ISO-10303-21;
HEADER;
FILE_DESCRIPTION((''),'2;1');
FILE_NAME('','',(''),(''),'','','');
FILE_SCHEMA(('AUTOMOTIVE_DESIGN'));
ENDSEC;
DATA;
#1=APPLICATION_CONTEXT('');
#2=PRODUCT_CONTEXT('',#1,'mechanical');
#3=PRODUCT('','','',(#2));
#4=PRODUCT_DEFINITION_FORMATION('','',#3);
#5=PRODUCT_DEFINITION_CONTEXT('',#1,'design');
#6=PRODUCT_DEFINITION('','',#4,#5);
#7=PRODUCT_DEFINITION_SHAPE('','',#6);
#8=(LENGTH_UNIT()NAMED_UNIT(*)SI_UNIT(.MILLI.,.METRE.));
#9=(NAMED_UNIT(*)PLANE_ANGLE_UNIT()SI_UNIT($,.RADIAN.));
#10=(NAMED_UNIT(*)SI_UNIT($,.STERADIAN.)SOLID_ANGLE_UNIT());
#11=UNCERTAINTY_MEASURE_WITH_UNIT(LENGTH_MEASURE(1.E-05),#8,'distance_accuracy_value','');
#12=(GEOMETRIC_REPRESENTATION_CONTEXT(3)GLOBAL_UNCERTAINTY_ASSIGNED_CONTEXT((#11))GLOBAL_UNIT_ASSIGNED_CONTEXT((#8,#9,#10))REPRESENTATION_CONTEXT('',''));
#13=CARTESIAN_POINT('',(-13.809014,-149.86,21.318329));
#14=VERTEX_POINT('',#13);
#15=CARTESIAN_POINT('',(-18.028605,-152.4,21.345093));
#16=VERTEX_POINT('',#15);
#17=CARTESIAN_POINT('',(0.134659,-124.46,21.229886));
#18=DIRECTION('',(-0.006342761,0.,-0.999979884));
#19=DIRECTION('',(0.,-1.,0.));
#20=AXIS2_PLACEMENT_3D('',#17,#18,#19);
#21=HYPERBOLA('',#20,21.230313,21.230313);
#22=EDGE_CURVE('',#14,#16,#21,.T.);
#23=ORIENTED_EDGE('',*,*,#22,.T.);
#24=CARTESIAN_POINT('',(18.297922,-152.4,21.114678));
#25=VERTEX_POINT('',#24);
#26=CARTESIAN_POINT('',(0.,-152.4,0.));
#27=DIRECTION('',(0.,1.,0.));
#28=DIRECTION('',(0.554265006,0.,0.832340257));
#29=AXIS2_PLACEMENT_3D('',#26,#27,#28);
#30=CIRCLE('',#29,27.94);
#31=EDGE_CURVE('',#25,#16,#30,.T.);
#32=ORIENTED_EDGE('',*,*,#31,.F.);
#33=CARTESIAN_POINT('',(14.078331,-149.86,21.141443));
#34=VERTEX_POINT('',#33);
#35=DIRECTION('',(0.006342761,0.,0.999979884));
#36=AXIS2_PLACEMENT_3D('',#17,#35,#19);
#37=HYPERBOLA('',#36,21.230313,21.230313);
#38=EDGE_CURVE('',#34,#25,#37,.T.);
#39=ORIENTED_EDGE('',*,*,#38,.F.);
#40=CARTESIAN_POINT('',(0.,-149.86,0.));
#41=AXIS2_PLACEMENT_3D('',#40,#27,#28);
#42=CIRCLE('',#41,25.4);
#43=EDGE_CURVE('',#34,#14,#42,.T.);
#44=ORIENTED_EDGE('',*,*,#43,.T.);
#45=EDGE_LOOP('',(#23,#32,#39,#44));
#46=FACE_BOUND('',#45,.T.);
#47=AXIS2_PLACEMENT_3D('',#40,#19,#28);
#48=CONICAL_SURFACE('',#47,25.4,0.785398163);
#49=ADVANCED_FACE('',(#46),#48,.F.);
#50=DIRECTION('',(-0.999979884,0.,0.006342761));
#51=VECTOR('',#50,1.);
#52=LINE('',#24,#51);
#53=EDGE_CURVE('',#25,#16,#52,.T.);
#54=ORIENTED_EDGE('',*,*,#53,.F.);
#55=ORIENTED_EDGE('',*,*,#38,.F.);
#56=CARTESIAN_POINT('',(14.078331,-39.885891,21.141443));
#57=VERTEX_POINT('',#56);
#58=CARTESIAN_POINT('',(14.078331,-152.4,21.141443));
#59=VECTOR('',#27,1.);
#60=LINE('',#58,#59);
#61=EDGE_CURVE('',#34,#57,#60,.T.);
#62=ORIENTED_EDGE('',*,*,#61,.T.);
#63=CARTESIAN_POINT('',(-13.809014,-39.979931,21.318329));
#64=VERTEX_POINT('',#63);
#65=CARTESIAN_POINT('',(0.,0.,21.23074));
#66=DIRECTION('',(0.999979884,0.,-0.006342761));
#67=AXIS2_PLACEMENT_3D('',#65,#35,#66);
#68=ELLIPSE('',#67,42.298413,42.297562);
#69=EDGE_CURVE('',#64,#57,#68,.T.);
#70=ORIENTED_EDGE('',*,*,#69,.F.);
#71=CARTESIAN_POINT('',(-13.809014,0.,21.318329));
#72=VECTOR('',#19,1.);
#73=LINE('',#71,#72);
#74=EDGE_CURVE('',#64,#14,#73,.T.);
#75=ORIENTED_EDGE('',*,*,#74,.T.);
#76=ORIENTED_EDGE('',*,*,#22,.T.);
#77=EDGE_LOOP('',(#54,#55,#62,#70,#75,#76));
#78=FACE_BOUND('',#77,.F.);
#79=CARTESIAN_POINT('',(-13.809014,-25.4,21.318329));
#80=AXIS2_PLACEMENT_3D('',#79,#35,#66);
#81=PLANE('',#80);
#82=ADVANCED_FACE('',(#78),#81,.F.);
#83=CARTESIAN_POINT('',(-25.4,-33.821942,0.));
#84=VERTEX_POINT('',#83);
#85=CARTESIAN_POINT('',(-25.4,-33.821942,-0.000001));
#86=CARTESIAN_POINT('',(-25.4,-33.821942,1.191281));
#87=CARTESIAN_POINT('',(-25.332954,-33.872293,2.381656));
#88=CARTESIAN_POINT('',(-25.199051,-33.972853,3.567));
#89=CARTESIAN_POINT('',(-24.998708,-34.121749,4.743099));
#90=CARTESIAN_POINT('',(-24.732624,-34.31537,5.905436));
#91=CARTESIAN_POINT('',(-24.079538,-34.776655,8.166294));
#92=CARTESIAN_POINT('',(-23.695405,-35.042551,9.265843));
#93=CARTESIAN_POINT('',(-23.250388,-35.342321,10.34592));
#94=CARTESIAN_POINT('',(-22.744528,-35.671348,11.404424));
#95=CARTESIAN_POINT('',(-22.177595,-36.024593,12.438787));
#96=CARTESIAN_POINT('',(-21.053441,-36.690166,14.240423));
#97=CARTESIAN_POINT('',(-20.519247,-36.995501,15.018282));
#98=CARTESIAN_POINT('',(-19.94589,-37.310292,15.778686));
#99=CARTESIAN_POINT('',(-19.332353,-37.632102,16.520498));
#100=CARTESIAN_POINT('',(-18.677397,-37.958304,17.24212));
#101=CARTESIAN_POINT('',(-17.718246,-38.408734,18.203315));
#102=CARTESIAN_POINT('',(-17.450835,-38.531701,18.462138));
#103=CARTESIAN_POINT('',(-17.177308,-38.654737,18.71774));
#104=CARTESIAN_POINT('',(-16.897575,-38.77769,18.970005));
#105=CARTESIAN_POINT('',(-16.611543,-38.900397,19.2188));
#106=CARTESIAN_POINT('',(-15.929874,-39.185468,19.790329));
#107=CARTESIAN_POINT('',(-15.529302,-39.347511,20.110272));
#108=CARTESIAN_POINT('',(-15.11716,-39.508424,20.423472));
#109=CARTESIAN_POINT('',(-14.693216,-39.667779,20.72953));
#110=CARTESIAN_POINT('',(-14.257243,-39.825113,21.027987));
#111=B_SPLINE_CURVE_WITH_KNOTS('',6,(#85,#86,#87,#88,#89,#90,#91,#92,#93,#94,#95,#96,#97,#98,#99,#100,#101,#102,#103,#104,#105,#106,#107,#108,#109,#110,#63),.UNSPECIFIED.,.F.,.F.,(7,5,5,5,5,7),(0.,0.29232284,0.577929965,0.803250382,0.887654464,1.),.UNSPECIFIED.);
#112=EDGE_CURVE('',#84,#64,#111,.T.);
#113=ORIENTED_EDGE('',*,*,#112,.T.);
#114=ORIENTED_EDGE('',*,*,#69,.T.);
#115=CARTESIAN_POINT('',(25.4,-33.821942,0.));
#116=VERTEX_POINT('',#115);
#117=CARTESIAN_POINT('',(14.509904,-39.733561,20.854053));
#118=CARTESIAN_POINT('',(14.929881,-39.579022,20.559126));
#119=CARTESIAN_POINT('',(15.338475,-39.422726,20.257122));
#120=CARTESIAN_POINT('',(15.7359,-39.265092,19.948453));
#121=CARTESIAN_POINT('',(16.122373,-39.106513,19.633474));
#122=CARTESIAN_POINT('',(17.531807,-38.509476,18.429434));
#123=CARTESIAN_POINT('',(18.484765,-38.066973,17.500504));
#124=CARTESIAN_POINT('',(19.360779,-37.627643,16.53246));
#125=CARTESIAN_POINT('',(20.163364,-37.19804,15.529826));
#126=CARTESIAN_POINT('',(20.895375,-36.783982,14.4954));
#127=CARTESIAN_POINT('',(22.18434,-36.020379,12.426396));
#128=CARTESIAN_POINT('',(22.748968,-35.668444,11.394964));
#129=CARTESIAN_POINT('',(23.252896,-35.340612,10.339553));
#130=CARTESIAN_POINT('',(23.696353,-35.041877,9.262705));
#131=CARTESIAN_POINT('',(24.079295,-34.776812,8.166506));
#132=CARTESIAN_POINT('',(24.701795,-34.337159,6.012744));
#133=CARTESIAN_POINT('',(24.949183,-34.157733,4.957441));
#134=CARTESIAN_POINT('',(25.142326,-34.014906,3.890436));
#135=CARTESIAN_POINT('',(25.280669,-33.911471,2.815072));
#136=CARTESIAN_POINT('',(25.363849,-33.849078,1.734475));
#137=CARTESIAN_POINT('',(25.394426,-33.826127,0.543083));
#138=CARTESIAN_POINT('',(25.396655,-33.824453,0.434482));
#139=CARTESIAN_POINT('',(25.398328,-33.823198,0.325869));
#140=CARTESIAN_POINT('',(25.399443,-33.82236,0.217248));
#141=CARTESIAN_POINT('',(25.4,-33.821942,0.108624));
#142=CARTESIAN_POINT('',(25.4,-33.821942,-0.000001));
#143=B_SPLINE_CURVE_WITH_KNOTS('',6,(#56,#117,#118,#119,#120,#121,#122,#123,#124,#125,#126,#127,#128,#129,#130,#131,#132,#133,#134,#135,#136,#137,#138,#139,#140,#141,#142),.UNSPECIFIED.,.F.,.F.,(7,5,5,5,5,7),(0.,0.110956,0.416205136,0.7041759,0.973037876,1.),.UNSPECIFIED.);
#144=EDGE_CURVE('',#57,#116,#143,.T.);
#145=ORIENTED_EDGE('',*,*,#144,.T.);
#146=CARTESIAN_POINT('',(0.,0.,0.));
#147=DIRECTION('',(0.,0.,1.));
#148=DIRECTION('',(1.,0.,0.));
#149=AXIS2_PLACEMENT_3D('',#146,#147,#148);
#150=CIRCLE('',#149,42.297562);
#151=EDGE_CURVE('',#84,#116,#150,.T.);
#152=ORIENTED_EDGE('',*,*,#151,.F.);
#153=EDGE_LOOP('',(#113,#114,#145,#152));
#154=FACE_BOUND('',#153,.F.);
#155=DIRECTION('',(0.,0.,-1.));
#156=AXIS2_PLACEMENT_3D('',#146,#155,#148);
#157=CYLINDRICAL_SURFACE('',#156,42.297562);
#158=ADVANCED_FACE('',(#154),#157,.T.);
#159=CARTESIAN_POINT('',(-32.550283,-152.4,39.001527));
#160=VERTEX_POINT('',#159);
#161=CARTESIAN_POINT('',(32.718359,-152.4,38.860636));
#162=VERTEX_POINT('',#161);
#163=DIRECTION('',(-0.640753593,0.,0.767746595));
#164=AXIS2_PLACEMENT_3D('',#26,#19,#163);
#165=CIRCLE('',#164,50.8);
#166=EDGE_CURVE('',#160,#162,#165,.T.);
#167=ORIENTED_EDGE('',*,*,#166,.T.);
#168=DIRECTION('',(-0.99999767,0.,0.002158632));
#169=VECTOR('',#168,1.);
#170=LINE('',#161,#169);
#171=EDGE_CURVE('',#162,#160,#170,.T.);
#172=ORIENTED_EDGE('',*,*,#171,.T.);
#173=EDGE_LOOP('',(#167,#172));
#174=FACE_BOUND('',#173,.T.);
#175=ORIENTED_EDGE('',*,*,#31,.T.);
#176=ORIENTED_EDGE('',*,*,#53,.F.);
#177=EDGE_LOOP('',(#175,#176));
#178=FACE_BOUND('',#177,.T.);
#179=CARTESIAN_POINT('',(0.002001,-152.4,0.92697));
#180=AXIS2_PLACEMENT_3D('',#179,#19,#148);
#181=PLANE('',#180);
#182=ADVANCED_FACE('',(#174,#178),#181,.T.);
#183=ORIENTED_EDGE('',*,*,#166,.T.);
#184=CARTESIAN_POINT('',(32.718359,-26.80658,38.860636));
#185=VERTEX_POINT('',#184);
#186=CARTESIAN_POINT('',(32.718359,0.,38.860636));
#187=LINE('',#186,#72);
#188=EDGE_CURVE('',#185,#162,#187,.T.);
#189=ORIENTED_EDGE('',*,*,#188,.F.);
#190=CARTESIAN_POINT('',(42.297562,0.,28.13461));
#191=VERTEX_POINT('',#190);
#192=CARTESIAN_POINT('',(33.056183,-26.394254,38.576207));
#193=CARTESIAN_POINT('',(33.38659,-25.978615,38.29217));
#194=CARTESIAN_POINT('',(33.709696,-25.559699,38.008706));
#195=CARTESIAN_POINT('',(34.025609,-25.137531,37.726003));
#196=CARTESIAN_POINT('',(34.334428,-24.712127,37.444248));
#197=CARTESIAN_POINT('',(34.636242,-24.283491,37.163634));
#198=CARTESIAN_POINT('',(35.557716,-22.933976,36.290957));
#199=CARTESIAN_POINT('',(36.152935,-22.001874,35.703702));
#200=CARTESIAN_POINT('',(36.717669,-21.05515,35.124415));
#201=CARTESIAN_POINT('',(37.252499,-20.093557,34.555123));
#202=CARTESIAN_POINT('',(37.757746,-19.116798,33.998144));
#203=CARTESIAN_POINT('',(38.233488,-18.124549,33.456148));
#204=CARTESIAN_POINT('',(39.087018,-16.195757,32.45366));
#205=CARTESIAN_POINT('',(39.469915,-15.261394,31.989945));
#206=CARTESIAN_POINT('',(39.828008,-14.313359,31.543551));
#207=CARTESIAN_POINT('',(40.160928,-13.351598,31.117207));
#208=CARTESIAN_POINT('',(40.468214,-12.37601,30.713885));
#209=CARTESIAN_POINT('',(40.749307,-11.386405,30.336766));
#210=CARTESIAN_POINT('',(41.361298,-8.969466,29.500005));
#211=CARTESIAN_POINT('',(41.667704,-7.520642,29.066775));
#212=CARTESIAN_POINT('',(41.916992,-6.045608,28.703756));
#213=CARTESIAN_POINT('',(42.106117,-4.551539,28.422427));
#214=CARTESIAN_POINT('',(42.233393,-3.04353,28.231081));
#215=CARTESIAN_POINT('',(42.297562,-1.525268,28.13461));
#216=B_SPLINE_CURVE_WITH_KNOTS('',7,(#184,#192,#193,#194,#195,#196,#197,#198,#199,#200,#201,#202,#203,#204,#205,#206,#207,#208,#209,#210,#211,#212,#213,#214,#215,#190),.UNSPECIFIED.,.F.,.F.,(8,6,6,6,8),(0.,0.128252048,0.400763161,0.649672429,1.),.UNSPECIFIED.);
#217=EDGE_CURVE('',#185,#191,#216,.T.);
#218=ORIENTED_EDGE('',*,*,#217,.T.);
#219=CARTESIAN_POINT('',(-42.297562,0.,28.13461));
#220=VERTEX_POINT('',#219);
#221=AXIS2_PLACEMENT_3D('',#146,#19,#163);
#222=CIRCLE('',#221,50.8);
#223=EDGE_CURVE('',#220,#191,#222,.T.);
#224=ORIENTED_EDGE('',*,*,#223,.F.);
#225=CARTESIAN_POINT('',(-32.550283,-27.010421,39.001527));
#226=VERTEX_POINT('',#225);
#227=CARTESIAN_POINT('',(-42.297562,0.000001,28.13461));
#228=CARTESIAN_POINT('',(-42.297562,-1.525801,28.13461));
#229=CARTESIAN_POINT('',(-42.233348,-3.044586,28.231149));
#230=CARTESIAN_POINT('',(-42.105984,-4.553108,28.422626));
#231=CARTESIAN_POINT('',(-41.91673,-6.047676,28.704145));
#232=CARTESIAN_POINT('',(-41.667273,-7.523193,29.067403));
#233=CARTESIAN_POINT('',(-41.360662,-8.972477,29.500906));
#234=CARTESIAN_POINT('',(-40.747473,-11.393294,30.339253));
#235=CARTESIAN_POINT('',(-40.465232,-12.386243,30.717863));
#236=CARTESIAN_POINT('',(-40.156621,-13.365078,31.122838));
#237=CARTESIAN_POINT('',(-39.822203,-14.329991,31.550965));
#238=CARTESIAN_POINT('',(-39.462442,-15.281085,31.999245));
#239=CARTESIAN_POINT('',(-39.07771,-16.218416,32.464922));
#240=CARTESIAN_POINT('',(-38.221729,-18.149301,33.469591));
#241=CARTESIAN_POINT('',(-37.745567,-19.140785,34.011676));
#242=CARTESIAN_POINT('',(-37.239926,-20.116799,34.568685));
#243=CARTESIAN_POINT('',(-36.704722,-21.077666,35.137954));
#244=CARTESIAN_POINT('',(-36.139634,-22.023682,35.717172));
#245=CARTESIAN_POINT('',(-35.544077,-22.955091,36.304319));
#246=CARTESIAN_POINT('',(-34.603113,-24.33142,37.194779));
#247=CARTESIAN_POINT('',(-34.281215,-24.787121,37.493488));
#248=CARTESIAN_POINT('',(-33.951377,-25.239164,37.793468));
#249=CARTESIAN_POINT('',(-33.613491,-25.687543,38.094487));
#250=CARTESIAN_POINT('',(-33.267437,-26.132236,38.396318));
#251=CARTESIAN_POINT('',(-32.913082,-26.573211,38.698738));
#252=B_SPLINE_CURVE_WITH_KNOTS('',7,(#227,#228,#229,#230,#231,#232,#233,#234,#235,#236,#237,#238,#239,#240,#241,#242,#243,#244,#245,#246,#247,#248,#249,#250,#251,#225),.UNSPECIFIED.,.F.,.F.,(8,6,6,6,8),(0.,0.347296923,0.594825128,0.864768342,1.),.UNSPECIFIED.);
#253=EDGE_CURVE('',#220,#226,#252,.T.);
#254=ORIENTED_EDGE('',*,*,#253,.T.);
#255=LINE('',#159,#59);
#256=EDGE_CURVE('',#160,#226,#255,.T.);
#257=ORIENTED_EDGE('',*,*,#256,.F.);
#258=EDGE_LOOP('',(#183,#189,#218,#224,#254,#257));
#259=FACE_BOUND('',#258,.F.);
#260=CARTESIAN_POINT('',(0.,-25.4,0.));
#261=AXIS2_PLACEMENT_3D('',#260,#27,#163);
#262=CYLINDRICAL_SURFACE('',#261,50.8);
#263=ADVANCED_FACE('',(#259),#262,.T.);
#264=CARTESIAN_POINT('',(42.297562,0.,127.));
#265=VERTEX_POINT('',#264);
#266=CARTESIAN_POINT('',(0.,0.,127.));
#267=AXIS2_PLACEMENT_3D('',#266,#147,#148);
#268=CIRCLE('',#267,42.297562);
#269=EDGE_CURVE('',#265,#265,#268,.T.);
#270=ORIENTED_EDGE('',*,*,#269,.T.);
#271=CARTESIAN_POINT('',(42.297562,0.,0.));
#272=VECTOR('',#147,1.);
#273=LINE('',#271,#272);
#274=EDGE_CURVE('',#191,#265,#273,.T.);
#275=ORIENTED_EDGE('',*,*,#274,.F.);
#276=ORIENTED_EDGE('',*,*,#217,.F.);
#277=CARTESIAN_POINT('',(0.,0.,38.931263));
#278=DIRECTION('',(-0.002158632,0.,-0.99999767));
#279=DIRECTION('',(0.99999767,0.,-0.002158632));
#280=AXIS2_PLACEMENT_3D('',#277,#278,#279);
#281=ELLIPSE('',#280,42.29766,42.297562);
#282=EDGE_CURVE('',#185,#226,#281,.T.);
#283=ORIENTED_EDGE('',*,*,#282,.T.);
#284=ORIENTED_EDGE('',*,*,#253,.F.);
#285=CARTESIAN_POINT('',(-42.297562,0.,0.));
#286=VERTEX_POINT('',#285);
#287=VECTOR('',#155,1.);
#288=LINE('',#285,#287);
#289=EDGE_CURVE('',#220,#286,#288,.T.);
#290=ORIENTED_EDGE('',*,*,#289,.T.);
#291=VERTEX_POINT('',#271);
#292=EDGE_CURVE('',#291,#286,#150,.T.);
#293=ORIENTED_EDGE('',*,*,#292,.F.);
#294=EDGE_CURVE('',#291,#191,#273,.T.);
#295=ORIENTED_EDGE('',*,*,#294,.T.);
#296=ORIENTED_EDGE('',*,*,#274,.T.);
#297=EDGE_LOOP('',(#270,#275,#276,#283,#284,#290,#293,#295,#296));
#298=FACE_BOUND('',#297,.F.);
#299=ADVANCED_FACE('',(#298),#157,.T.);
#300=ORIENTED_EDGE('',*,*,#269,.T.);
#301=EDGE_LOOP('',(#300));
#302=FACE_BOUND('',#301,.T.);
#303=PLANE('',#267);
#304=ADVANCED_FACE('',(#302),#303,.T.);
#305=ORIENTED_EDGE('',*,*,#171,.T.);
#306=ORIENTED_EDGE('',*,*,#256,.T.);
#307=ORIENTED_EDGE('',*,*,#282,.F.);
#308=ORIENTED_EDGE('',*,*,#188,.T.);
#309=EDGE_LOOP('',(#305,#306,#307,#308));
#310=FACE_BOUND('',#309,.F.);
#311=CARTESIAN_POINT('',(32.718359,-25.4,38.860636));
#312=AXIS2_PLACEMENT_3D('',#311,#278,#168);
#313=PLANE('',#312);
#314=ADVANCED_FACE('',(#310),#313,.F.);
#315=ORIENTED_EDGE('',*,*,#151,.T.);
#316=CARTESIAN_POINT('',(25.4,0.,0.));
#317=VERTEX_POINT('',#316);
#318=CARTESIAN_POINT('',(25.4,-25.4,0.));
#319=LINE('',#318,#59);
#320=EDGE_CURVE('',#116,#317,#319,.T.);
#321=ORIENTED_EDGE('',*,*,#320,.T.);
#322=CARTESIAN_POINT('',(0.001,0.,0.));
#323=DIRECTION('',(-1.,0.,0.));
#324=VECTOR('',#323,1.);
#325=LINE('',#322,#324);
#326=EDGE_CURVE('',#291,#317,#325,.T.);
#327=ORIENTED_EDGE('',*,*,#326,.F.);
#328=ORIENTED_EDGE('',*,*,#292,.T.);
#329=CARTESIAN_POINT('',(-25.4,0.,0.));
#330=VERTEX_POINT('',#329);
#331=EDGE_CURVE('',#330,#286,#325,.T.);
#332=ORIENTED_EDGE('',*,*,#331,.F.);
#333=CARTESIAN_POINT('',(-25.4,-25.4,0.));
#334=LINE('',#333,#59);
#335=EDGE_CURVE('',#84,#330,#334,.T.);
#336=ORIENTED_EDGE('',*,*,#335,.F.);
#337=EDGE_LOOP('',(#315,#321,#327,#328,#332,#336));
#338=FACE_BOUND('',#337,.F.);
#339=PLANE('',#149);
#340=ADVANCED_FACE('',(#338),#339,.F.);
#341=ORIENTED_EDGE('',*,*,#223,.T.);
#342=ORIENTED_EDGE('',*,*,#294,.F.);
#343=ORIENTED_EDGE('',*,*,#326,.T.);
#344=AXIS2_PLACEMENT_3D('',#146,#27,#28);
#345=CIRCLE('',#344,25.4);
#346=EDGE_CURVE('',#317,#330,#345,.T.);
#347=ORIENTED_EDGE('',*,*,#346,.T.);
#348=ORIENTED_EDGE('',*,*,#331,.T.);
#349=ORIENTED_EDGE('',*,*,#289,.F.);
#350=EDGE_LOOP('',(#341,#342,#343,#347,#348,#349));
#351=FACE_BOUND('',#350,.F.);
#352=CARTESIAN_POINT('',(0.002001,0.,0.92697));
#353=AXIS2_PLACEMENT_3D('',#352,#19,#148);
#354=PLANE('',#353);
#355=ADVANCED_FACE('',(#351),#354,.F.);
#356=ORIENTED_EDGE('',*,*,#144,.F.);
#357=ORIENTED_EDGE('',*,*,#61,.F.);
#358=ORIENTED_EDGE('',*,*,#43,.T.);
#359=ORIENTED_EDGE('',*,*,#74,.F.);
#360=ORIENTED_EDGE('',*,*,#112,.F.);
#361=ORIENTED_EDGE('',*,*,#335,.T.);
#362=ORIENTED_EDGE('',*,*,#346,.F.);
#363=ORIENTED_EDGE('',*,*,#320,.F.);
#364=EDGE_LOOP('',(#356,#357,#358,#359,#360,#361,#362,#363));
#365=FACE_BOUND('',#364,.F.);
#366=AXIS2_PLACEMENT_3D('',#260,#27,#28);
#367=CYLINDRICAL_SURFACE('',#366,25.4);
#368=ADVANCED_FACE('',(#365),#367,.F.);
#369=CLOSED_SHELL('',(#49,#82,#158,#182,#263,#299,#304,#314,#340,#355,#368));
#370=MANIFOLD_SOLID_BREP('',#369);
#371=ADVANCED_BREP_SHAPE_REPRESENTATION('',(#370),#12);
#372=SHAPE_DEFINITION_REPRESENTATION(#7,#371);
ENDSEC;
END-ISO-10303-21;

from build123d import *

# Parameters (mm, degrees)
F2_DEPTH = 25.4
F3_DEPTH = 127
F4_SIZE  = 2.54
F0_R     = 42.2975618679
F5_DEPTH = 127


with BuildPart() as f2:
    # F1 (on Front) → F2 (new body)
    with BuildSketch(Plane.XZ):
        with BuildLine():
            ThreePointArc((-32.5502825036, 39.0015270077), (-0.1096585285, -50.7998816436), (32.7183586862, 38.8606356726))
            Line((32.7183586862, 38.8606356726), (-32.5502825036, 39.0015270077))
        make_face()
        with BuildLine():
            Line((-13.8090135631, 21.3183288373), (14.0783311513, 21.141442524))
            ThreePointArc((14.0783311513, 21.141442524), (-0.1611061228, -25.3994890661), (-13.8090135631, 21.3183288373))
        make_face(mode=Mode.SUBTRACT)
    extrude(amount=F2_DEPTH)

    # F3 (add): a face of the model
    f3_faces = [f2.faces().sort_by_distance(p)[0] for p in [
        (-0.1067314616, -25.4, -49.443902714),
    ]]
    extrude(f3_faces, amount=F3_DEPTH)

    # F4
    f4_edges = [f2.edges().sort_by_distance(p)[0] for p in [
        (-0.161106, -152.4, -25.399489),
    ]]
    chamfer(f4_edges, length=F4_SIZE)

    # F0 (on Top) → F5 (join)
    with BuildSketch(Plane.XY):
        Circle(F0_R)
    extrude(amount=F5_DEPTH)


solid = f2.part
